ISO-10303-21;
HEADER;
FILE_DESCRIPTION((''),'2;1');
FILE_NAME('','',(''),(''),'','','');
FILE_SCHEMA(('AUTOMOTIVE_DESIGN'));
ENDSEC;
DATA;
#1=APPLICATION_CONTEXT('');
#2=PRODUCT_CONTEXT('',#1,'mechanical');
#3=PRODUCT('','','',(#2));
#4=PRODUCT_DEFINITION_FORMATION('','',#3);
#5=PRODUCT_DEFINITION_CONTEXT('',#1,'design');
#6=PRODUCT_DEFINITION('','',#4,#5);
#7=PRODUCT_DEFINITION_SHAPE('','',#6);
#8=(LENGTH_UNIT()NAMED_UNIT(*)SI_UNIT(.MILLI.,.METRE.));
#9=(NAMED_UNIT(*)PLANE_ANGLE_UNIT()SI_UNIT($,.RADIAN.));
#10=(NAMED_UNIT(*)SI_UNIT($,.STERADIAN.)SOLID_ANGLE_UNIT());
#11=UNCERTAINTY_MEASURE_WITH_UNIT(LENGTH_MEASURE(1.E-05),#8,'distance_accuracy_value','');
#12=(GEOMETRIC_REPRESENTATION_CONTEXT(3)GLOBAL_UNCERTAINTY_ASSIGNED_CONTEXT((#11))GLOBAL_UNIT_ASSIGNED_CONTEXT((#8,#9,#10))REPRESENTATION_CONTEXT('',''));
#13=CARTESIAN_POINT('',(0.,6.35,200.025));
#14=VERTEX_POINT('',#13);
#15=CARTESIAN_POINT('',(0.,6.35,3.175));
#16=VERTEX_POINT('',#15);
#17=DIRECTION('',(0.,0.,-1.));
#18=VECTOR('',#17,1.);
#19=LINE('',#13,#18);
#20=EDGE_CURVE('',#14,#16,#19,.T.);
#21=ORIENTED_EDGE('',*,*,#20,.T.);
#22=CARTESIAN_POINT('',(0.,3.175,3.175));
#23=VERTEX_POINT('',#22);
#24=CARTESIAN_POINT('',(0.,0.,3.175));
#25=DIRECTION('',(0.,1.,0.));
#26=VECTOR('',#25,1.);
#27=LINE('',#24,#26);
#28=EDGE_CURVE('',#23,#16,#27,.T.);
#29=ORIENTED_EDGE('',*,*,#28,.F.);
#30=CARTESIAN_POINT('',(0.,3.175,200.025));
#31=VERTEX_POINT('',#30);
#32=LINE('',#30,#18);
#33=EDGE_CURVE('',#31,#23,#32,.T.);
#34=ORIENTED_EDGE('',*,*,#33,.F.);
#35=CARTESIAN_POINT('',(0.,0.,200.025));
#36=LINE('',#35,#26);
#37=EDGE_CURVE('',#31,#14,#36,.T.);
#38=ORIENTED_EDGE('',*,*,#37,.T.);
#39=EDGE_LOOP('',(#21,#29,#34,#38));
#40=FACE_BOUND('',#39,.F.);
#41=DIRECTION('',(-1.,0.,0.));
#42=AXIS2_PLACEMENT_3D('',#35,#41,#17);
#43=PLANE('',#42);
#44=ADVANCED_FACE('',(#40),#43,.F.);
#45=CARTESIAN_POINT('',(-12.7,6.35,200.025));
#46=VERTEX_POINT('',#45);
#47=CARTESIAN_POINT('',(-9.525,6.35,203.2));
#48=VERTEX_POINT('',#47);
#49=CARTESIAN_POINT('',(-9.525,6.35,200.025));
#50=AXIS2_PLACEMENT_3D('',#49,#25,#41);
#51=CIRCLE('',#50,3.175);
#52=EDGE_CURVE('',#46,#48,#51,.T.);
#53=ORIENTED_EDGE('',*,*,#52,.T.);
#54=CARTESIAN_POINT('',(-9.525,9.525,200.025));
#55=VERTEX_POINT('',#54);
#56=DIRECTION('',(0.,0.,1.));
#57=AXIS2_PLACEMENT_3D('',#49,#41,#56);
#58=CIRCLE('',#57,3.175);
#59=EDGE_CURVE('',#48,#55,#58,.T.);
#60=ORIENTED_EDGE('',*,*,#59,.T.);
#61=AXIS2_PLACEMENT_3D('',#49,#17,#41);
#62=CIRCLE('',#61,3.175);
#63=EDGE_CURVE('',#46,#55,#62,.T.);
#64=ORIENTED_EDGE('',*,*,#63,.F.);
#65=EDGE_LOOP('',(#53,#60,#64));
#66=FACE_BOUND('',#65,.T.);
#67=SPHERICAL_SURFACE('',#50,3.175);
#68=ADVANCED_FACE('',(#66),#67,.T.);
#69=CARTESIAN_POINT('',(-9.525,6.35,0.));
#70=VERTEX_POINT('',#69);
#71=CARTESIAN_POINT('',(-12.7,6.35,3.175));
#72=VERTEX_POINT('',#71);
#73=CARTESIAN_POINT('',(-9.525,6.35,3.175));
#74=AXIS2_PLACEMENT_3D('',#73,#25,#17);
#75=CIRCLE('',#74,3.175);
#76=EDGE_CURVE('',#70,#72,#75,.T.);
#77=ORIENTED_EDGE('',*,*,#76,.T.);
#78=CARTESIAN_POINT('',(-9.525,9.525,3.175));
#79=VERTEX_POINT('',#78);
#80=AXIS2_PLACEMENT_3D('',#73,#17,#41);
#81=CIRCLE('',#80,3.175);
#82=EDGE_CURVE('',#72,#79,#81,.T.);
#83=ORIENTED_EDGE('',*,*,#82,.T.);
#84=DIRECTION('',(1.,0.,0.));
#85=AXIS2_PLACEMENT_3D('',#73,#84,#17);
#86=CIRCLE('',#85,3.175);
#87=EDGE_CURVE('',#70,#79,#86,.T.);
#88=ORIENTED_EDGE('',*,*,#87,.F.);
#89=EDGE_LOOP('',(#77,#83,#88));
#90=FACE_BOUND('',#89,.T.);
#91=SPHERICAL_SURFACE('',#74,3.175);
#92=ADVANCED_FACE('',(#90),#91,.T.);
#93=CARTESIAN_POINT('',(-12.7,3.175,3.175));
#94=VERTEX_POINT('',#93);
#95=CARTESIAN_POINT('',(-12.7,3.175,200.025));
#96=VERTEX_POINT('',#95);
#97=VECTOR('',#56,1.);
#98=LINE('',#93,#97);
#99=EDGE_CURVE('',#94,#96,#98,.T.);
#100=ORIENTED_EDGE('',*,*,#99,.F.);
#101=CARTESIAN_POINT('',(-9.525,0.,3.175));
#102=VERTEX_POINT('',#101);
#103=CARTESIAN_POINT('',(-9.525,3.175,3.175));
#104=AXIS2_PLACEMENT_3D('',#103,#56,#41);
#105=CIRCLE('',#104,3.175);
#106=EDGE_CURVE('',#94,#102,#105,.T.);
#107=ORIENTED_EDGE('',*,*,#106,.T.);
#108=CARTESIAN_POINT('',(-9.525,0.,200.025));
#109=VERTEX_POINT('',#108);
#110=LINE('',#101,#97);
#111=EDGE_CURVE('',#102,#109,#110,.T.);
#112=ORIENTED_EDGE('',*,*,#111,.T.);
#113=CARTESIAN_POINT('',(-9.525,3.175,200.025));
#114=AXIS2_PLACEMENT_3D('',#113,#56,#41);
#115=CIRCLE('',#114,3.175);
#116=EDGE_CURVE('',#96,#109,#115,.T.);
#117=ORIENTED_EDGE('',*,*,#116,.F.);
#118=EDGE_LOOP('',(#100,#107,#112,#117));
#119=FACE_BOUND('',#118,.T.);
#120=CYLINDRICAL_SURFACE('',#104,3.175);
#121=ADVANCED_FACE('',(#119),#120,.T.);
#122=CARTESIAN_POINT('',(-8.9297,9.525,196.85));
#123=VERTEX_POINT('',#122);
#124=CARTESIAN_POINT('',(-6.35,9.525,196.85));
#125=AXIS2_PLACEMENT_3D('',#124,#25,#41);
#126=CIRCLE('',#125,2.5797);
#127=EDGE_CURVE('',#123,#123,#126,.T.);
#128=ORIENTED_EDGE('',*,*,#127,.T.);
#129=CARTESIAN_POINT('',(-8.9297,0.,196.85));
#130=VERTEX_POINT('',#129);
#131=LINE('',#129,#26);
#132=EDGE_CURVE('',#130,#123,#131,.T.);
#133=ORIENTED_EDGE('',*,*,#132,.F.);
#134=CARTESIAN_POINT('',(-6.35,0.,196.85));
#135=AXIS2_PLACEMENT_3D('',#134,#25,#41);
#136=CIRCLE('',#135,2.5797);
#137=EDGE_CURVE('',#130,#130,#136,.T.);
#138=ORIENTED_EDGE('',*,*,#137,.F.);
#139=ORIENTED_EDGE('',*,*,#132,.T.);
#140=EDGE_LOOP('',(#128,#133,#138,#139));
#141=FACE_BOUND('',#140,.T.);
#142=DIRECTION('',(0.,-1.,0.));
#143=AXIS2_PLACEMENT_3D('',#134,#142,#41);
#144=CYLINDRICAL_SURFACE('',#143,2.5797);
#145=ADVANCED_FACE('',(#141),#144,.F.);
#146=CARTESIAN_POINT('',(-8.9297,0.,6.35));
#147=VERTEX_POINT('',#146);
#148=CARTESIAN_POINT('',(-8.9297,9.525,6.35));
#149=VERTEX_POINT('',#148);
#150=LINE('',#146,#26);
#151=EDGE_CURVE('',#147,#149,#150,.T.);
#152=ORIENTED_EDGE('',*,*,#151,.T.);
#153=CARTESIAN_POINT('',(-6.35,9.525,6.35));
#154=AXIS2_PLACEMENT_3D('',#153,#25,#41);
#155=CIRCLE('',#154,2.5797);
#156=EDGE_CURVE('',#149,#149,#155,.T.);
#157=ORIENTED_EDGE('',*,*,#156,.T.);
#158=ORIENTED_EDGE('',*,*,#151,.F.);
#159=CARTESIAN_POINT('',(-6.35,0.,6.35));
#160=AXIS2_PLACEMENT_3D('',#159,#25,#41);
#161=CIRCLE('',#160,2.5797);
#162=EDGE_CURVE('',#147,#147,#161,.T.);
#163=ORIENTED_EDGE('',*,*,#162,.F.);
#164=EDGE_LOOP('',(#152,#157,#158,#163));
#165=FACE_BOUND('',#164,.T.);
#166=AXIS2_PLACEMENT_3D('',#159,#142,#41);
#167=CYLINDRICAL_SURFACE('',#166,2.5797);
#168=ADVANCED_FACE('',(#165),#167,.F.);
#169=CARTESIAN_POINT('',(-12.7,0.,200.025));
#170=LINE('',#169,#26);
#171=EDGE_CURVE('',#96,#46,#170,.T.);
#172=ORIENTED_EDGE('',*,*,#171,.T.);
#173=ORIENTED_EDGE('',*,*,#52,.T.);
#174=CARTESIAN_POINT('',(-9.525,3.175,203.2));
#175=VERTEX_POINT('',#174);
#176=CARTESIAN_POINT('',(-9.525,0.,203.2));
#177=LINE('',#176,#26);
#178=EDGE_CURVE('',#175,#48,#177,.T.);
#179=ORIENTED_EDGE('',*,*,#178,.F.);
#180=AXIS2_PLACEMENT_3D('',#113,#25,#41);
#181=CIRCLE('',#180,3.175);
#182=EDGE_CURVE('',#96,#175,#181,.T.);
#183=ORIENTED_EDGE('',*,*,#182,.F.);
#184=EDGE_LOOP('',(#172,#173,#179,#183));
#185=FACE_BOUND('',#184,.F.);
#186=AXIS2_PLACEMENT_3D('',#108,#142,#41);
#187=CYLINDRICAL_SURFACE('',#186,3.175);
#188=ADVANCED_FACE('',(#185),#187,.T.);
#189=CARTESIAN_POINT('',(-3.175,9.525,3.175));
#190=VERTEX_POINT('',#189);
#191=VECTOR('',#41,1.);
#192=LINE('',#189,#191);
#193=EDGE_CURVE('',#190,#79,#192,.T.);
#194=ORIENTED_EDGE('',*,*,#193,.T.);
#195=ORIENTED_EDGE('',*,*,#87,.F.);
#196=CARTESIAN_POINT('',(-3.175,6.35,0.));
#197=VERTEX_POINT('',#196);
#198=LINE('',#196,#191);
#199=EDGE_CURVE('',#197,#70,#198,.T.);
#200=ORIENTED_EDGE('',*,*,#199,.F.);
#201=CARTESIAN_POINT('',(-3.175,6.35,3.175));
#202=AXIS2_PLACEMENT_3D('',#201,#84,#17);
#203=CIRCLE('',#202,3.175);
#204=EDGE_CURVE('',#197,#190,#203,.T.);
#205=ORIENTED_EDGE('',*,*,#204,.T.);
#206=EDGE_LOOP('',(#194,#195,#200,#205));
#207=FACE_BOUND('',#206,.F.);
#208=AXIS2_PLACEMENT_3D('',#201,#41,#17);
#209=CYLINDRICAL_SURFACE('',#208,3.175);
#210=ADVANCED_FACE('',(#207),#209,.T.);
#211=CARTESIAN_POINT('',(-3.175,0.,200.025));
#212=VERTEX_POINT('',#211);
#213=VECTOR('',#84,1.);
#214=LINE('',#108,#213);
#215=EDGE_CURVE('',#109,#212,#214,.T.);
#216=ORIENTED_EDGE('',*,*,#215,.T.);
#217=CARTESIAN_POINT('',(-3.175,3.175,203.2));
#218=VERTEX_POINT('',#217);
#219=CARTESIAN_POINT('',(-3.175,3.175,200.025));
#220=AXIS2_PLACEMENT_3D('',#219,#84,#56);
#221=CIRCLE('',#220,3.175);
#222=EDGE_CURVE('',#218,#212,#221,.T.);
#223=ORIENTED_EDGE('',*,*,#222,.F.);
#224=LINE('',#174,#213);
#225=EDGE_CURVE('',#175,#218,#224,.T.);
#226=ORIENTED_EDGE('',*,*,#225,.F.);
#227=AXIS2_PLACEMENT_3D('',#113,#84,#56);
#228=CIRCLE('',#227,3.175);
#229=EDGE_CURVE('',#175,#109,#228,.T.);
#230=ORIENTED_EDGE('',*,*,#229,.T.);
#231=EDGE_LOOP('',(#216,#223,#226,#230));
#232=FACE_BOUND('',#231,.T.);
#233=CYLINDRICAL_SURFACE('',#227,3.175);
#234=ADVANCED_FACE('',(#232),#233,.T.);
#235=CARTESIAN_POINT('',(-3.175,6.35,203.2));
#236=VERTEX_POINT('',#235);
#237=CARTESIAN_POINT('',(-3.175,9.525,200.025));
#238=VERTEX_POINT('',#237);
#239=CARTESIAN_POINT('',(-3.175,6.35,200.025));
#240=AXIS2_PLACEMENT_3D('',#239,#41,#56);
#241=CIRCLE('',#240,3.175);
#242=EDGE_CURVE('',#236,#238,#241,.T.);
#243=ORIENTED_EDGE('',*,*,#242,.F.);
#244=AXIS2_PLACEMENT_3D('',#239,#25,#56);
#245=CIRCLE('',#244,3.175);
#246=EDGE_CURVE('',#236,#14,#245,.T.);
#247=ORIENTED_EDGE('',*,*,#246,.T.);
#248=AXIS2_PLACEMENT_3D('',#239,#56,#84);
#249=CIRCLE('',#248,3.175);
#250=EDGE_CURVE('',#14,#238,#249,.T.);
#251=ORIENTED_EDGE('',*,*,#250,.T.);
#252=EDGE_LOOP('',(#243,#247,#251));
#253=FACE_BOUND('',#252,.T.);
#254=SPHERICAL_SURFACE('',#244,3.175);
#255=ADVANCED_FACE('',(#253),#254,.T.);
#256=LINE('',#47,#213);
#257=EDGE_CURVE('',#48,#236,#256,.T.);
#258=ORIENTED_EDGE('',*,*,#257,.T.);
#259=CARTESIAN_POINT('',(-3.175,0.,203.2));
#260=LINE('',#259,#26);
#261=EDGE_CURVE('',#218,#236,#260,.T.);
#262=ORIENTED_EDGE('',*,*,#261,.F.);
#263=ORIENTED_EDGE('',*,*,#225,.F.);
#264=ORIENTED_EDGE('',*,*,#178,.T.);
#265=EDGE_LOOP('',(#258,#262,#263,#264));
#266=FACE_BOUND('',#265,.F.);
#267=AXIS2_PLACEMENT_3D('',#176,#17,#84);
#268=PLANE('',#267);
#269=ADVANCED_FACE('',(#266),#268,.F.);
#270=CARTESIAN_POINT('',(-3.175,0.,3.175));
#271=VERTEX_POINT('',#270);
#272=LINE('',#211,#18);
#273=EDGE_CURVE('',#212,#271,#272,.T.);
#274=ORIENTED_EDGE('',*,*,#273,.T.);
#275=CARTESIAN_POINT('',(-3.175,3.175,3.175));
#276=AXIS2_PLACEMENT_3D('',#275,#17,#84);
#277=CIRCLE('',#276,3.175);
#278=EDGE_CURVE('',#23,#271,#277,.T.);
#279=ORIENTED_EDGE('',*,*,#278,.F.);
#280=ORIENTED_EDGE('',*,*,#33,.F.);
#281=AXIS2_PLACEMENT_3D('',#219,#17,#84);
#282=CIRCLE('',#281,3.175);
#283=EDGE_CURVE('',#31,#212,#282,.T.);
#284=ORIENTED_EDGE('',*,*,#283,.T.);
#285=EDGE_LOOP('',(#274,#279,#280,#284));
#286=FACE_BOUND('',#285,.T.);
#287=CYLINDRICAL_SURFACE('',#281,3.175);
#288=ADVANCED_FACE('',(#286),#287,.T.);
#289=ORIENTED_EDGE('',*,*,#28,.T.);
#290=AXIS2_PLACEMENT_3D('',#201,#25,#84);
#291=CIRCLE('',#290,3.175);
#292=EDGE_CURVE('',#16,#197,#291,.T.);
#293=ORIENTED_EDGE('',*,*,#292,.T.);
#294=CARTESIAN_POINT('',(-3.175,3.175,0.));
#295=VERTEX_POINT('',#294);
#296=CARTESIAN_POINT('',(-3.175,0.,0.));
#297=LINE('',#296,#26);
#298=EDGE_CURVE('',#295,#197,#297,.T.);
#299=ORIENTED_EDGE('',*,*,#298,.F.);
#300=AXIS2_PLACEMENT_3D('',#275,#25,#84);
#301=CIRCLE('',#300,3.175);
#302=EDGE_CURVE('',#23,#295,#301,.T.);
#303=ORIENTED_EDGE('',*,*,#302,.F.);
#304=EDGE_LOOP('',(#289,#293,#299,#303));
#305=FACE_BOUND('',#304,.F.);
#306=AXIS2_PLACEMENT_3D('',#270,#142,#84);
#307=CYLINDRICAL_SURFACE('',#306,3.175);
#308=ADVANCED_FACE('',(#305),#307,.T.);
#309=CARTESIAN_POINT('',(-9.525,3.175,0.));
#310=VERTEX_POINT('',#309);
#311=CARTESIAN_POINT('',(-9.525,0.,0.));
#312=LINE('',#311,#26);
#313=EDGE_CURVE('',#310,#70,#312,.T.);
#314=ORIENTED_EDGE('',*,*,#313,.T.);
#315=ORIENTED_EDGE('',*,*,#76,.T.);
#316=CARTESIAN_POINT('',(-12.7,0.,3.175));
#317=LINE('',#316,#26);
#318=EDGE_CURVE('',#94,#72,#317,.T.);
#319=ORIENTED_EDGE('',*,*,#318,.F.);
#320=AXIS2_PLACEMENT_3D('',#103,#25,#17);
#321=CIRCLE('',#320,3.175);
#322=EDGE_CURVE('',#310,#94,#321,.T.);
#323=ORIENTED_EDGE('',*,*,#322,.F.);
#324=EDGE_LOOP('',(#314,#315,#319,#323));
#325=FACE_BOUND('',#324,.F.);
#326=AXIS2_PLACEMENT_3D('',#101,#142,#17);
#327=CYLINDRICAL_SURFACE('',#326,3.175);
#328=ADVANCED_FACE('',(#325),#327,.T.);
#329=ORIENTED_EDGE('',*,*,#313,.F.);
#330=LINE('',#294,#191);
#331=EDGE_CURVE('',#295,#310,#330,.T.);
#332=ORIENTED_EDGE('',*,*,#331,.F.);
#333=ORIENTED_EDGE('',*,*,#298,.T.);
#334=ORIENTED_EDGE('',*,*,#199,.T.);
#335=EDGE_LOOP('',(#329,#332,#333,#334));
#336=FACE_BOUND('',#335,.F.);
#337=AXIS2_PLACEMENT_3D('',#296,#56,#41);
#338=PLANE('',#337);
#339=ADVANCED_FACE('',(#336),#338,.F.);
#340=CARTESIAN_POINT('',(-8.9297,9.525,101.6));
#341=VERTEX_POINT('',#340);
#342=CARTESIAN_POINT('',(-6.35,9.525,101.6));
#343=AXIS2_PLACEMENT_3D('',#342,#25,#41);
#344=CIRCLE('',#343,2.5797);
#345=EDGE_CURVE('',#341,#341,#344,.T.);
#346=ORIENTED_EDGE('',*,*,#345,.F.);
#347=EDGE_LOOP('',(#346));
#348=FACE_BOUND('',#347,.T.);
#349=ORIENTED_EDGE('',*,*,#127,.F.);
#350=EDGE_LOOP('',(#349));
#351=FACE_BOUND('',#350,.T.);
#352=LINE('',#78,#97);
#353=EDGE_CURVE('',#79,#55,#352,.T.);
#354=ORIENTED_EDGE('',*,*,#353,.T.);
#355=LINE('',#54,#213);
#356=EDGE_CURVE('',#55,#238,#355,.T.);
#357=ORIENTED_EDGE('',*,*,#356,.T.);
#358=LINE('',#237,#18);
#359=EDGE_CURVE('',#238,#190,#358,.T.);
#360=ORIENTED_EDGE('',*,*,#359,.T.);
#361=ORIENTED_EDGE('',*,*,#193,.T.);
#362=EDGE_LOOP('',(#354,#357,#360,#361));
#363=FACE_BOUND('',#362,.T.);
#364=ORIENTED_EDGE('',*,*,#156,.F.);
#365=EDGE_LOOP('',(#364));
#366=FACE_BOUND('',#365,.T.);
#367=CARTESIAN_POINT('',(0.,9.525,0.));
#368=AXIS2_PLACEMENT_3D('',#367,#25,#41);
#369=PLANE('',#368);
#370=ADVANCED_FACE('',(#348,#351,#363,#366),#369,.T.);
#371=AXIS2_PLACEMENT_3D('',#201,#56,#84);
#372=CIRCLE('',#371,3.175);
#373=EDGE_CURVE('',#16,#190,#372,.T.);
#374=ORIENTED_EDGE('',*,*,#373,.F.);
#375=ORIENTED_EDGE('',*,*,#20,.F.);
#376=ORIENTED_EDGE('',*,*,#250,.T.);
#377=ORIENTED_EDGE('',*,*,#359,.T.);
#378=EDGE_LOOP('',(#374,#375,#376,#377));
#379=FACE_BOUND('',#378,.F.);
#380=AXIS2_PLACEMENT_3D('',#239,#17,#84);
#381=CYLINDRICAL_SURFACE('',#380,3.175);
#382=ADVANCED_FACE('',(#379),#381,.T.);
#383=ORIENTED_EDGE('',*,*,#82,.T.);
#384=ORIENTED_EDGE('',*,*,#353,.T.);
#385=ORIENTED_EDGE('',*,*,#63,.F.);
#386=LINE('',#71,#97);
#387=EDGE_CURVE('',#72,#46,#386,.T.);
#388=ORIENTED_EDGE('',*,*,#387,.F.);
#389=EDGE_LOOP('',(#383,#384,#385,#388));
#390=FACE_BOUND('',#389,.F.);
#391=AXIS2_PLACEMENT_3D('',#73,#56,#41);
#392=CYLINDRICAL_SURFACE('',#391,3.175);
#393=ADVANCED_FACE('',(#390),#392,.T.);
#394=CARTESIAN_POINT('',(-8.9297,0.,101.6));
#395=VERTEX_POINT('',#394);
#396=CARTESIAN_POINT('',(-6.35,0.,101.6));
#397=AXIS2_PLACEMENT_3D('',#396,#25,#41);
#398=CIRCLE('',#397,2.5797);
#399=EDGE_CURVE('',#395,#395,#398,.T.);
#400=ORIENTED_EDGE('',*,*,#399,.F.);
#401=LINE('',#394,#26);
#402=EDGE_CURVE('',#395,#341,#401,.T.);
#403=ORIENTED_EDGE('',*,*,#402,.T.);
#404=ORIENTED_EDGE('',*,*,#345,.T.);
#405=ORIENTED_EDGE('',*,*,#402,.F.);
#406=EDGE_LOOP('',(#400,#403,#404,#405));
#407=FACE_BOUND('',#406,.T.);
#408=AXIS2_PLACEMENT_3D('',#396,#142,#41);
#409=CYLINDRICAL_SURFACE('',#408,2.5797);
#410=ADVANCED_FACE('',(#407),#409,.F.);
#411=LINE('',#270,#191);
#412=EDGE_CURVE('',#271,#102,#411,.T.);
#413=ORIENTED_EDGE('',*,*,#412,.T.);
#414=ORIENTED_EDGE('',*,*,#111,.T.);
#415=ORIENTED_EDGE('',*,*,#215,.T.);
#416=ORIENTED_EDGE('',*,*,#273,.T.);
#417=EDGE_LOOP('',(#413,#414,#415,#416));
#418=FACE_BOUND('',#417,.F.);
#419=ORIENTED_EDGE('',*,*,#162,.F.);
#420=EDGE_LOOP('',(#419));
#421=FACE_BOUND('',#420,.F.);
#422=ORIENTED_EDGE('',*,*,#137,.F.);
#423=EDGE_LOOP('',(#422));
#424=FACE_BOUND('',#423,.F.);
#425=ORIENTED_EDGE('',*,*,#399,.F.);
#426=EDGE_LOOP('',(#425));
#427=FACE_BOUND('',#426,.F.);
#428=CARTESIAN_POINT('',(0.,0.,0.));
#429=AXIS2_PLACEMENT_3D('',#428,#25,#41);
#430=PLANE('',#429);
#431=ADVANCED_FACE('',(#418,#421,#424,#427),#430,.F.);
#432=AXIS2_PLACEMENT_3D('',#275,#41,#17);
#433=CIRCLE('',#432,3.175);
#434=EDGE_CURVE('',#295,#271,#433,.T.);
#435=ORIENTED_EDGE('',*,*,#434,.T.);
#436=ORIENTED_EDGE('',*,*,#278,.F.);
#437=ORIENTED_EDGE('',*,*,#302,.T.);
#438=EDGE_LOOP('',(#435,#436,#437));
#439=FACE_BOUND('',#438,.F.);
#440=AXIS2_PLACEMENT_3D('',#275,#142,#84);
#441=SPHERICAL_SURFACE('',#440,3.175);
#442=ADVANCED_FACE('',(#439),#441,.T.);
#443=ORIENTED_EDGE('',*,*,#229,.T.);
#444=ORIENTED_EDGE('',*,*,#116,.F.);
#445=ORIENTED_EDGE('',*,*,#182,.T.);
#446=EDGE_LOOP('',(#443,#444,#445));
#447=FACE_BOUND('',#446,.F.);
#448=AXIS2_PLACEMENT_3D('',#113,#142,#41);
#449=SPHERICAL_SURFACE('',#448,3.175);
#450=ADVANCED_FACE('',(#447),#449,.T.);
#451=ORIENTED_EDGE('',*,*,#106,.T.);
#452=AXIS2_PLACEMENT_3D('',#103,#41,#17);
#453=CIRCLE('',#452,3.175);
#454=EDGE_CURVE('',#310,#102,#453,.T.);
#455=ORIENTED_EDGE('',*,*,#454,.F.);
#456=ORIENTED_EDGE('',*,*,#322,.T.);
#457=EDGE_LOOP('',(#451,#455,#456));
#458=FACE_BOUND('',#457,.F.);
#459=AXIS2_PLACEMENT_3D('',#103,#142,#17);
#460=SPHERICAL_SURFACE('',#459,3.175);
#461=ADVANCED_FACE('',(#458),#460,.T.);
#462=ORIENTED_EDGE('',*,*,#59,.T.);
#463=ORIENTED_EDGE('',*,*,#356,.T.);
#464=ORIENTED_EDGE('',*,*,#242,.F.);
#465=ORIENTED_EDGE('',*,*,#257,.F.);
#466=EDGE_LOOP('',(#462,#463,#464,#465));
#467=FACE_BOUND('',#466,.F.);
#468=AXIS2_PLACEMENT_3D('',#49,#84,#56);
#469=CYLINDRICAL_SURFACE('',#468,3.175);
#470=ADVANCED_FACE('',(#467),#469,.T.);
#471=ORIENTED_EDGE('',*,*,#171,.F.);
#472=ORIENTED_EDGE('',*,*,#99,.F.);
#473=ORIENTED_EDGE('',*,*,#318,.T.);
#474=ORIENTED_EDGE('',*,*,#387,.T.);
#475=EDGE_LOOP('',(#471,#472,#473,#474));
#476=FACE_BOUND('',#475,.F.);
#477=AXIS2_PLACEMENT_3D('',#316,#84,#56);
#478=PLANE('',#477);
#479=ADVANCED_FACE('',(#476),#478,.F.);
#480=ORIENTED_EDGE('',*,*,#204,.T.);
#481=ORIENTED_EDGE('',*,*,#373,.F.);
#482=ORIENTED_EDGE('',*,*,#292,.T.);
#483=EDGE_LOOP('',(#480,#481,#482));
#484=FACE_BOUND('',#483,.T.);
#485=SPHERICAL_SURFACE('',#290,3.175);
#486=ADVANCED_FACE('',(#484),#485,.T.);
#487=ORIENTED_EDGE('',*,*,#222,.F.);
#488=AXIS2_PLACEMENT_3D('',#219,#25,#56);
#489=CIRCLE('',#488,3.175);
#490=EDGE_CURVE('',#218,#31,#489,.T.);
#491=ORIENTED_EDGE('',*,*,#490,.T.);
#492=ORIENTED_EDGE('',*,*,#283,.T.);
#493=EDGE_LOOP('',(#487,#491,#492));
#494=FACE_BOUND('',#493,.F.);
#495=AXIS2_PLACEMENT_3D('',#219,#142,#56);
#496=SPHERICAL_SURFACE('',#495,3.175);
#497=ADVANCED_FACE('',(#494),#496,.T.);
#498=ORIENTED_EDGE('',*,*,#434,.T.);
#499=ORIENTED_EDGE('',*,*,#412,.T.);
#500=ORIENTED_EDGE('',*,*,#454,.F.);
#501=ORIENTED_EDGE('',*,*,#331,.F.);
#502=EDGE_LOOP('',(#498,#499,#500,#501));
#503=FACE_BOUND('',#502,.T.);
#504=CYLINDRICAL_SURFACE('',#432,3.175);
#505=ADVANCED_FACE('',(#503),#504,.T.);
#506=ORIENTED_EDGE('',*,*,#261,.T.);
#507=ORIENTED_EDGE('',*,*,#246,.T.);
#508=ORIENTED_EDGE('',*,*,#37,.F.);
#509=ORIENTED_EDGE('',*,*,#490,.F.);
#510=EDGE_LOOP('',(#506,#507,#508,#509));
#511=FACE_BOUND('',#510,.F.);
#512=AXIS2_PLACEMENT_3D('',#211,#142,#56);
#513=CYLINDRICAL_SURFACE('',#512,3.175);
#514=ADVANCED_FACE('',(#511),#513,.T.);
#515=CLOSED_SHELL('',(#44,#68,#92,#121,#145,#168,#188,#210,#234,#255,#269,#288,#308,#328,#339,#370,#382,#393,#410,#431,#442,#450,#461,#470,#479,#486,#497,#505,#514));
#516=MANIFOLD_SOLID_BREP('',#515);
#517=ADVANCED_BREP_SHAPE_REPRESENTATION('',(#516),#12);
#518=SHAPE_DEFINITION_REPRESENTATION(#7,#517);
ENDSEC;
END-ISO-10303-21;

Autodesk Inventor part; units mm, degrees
ref_plane "YZ Plane" through (0, 0, 0) normal (1, 0, 0) x (0, 1, 0)
ref_plane "XZ Plane" through (0, 0, 0) normal (0, 1, 0) x (-1, 0, 0)
ref_plane "XY Plane" through (0, 0, 0) normal (0, 0, 1) x (1, 0, 0)
sketch "Sketch1" plane through (0, 0, 0) normal (0, 1, 0) x (-1, 0, 0)
  line L0 (3.175, 0) -> (9.525, 0)
  line L1 (12.7, 3.175) -> (12.7, 200.025)
  line L2 (9.525, 203.2) -> (3.175, 203.2)
  line L3 (0, 200.025) -> (0, 3.175)
  circle A0 centre (6.35, 6.35) radius 2.5797
  circle A1 centre (6.35, 196.85) radius 2.5797
  circle A2 centre (6.35, 101.6) radius 2.5797
  arc A3 (12.7, 200.025) -> (9.525, 203.2) centre (9.525, 200.025) ccw
  arc A4 (3.175, 203.2) -> (0, 200.025) centre (3.175, 200.025) ccw
  arc A5 (0, 3.175) -> (3.175, 0) centre (3.175, 3.175) ccw
  arc A6 (9.525, 0) -> (12.7, 3.175) centre (9.525, 3.175) ccw
  point P0 (0, 0)
  point P1 (12.7, 0)
  point P2 (0, 203.2)
  dimension "d0" = 203.2
  dimension "d1" = 12.7
  dimension "d2" = 5.1594
  dimension "d3" = 6.35
  dimension "d4" = 6.35
  dimension "d5" = 5.1594
  dimension "d6" = 6.35
  dimension "d7" = 6.35
  dimension "d8" = 6.35
  dimension "d9" = 5.1594
  dimension "d10" = 101.6
  dimension "d11" = 3.175
extrude "Extrusion1" add sketch "Sketch1" along normal blind 9.525
fillet "Fillet1" radius 3.175 16 edges at (-0.9299, 9.525, 0.9299) (-6.35, 9.525, 0) (-11.7701, 9.525, 0.9299) (-12.7, 9.525, 101.6) (-11.7701, 9.525, 202.2701) (-6.35, 9.525, 203.2) (-0.9299, 9.525, 202.2701) (0, 9.525, 101.6) (-0.9299, 0, 0.9299) (-6.35, 0, 0) (-11.7701, 0, 0.9299) (-12.7, 0, 101.6) (-11.7701, 0, 202.2701) (-6.35, 0, 203.2) (-0.9299, 0, 202.2701) (0, 0, 101.6)
equation "\"d3\" = 0.5 * d1"
equation "\"d4\" = d3"
equation "\"d5\" = d2"
equation "\"d6\" = d4"
equation "\"d7\" = d6"
equation "\"d8\" = d7"
equation "\"d9\" = d5"
equation "\"d10\" = 0.5 * d0"
properties part number "Outer bar"
